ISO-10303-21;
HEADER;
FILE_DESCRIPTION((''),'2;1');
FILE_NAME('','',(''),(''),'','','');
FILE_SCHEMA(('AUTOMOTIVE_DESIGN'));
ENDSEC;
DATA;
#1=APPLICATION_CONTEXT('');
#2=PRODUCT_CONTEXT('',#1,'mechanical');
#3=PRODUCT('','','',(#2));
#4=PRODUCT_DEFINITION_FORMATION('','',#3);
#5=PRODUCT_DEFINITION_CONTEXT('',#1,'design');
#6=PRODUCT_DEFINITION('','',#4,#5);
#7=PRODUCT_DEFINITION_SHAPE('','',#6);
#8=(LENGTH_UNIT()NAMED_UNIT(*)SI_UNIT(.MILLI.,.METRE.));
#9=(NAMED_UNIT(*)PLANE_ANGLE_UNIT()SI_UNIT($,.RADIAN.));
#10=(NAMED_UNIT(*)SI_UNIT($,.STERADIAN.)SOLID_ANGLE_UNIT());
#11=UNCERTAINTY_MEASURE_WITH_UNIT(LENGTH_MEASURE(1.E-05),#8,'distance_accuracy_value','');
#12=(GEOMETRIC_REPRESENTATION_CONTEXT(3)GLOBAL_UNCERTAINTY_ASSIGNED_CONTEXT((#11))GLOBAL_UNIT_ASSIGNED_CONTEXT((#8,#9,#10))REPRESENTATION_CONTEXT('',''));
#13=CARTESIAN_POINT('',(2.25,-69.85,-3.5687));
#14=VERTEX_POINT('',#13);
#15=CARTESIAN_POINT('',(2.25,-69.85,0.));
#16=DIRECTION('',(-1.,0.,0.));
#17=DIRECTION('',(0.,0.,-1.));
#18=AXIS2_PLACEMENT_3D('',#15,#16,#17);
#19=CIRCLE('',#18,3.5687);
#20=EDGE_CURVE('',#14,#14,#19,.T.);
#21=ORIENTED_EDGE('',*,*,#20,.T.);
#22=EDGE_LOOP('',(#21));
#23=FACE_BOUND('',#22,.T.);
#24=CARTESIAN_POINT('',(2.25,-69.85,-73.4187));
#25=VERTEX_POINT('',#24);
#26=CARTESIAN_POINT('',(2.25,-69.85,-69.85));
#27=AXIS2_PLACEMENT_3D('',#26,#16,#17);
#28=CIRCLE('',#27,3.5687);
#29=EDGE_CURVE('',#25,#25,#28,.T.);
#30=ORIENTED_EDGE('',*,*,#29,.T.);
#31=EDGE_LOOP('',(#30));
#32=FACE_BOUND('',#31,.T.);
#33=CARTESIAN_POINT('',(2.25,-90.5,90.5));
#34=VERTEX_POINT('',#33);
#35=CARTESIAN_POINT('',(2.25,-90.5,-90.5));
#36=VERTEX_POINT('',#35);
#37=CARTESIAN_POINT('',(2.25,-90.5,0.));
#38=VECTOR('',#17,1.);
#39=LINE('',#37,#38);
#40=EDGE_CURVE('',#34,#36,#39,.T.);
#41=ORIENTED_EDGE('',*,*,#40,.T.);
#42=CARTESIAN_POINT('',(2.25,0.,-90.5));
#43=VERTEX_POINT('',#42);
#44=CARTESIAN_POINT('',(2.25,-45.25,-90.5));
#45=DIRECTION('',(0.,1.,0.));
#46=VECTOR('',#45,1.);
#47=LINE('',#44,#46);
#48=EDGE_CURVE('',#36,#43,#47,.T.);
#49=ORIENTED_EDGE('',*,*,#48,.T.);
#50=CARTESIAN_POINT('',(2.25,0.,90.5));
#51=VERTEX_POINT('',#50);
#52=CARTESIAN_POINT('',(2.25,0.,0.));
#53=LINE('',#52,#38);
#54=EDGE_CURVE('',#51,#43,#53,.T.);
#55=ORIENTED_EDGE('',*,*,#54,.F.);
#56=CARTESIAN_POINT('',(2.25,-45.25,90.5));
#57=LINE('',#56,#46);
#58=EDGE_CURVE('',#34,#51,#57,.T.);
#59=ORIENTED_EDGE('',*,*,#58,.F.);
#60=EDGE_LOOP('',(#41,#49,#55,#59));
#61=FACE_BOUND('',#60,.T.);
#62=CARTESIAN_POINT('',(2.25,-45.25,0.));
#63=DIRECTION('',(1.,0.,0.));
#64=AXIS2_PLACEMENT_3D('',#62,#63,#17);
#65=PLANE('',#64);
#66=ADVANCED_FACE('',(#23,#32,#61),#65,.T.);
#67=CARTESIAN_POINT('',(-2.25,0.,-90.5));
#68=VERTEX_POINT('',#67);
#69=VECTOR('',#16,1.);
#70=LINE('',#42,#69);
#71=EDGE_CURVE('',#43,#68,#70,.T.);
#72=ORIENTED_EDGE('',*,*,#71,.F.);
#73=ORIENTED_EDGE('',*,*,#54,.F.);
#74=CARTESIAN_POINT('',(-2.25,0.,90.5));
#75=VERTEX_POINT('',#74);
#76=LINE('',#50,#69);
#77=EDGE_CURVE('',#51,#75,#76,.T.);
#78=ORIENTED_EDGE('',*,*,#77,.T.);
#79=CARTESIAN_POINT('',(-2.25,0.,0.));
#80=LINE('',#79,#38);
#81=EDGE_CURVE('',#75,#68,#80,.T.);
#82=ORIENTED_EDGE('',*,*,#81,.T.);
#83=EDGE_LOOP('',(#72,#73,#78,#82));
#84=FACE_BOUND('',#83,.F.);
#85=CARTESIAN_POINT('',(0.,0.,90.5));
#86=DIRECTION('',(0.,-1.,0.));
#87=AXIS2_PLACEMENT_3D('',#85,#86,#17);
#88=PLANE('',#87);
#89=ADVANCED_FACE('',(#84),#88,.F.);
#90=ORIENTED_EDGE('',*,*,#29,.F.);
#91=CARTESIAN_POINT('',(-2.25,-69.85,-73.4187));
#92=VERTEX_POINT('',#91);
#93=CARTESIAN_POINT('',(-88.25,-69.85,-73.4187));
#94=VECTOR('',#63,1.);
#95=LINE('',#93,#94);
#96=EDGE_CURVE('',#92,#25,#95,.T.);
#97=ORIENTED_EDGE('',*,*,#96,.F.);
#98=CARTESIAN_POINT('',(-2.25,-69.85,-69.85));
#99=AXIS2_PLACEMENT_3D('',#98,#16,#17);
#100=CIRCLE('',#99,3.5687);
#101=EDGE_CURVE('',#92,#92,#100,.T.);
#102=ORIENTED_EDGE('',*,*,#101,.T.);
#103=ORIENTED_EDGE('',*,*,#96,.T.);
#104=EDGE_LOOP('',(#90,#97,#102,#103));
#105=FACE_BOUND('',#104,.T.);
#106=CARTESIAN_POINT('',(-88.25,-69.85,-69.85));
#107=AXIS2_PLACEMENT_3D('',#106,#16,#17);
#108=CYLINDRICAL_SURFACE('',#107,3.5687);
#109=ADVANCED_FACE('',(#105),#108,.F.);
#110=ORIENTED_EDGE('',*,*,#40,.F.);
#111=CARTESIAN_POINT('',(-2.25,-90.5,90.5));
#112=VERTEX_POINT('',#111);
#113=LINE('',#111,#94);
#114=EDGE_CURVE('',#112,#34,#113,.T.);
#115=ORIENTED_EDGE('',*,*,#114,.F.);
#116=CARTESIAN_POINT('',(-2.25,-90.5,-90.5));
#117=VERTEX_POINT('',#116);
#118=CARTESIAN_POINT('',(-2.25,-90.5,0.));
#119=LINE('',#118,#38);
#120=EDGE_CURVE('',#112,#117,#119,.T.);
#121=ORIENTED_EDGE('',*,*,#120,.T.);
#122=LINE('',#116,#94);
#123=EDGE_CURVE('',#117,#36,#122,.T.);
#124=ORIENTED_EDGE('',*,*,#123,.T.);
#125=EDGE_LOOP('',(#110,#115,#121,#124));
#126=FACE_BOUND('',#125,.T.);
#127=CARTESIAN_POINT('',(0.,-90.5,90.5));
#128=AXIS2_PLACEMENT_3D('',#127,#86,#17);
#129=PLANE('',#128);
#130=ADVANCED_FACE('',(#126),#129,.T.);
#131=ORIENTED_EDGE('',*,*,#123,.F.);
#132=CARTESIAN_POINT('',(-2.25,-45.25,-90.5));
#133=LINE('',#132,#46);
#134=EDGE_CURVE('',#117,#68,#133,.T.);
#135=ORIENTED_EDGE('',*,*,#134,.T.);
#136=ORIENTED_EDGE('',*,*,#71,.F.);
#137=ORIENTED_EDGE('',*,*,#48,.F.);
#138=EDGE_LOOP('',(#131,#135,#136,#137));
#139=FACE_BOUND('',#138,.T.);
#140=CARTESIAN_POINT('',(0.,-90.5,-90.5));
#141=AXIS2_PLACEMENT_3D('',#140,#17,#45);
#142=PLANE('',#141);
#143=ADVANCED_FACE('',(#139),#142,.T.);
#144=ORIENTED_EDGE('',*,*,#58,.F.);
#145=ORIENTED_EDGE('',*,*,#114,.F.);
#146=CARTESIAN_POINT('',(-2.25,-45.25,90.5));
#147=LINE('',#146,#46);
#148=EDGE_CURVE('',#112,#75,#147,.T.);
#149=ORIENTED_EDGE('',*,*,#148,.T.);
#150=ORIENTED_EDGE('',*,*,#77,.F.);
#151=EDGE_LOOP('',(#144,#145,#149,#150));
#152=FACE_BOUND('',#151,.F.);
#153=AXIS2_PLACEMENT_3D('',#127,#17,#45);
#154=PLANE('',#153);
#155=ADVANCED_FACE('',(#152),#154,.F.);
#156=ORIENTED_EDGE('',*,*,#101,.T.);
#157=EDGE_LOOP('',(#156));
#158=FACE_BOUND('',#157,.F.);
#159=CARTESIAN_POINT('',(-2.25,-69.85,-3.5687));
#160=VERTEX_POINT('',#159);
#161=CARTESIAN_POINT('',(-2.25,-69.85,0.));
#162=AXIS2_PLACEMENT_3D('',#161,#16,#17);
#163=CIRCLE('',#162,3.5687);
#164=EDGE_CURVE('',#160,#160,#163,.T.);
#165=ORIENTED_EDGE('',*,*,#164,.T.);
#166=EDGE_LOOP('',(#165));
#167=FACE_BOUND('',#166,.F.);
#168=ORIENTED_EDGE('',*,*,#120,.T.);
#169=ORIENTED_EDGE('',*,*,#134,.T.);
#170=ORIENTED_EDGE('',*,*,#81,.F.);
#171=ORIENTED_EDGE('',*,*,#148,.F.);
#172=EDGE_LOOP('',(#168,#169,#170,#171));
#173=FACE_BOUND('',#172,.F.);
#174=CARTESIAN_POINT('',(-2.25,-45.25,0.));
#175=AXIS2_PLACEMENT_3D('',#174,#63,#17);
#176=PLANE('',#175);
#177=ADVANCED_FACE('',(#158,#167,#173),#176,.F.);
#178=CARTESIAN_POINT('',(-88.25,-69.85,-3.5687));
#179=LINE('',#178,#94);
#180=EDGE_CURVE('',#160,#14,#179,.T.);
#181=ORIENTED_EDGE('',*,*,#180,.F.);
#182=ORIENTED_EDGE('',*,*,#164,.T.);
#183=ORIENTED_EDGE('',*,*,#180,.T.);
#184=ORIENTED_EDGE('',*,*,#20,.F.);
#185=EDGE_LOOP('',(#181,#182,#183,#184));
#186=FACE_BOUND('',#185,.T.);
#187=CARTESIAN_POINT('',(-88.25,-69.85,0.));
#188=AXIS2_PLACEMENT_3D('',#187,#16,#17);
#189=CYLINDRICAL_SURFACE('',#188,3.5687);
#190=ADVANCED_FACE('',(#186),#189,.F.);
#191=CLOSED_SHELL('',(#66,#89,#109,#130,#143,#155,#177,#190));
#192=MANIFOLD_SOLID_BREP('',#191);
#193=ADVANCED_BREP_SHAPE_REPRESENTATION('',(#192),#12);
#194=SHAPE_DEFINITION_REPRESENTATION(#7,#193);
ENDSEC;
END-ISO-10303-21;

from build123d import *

# Parameters (mm, degrees)
SKETCH1_W               = 181
SKETCH1_H               = 90.5
BOSS_EXTRUDE1_DEPTH     = 2.25
SKETCH2_R               = 3.5687
CUT_EXTRUDE1_DEPTH      = 91.5
CUT_EXTRUDE1_DEPTH_BACK = 1


with BuildPart() as part:
    # Sketch1 → Boss-Extrude1 (new body, symmetric)
    with BuildSketch(Plane(origin=(0, 0, 0), x_dir=(0, 0, -1), z_dir=(1, 0, 0))):
        with Locations((0, -45.25)):
            Rectangle(SKETCH1_W, SKETCH1_H)
    extrude(amount=BOSS_EXTRUDE1_DEPTH, both=True)

    # Sketch2 → Cut-Extrude1 (cut, two sides)
    with BuildSketch(Plane(origin=(-88.25, 0, 0), x_dir=(0, 0, -1), z_dir=(1, 0, 0))) as cut_extrude1_sk:
        with Locations((0, -69.85)):
            Circle(SKETCH2_R)
        with Locations((69.85, -69.85)):
            Circle(SKETCH2_R)
    extrude(amount=CUT_EXTRUDE1_DEPTH, mode=Mode.SUBTRACT)
    extrude(cut_extrude1_sk.sketch, amount=-CUT_EXTRUDE1_DEPTH_BACK, mode=Mode.SUBTRACT)


solid = part.part
